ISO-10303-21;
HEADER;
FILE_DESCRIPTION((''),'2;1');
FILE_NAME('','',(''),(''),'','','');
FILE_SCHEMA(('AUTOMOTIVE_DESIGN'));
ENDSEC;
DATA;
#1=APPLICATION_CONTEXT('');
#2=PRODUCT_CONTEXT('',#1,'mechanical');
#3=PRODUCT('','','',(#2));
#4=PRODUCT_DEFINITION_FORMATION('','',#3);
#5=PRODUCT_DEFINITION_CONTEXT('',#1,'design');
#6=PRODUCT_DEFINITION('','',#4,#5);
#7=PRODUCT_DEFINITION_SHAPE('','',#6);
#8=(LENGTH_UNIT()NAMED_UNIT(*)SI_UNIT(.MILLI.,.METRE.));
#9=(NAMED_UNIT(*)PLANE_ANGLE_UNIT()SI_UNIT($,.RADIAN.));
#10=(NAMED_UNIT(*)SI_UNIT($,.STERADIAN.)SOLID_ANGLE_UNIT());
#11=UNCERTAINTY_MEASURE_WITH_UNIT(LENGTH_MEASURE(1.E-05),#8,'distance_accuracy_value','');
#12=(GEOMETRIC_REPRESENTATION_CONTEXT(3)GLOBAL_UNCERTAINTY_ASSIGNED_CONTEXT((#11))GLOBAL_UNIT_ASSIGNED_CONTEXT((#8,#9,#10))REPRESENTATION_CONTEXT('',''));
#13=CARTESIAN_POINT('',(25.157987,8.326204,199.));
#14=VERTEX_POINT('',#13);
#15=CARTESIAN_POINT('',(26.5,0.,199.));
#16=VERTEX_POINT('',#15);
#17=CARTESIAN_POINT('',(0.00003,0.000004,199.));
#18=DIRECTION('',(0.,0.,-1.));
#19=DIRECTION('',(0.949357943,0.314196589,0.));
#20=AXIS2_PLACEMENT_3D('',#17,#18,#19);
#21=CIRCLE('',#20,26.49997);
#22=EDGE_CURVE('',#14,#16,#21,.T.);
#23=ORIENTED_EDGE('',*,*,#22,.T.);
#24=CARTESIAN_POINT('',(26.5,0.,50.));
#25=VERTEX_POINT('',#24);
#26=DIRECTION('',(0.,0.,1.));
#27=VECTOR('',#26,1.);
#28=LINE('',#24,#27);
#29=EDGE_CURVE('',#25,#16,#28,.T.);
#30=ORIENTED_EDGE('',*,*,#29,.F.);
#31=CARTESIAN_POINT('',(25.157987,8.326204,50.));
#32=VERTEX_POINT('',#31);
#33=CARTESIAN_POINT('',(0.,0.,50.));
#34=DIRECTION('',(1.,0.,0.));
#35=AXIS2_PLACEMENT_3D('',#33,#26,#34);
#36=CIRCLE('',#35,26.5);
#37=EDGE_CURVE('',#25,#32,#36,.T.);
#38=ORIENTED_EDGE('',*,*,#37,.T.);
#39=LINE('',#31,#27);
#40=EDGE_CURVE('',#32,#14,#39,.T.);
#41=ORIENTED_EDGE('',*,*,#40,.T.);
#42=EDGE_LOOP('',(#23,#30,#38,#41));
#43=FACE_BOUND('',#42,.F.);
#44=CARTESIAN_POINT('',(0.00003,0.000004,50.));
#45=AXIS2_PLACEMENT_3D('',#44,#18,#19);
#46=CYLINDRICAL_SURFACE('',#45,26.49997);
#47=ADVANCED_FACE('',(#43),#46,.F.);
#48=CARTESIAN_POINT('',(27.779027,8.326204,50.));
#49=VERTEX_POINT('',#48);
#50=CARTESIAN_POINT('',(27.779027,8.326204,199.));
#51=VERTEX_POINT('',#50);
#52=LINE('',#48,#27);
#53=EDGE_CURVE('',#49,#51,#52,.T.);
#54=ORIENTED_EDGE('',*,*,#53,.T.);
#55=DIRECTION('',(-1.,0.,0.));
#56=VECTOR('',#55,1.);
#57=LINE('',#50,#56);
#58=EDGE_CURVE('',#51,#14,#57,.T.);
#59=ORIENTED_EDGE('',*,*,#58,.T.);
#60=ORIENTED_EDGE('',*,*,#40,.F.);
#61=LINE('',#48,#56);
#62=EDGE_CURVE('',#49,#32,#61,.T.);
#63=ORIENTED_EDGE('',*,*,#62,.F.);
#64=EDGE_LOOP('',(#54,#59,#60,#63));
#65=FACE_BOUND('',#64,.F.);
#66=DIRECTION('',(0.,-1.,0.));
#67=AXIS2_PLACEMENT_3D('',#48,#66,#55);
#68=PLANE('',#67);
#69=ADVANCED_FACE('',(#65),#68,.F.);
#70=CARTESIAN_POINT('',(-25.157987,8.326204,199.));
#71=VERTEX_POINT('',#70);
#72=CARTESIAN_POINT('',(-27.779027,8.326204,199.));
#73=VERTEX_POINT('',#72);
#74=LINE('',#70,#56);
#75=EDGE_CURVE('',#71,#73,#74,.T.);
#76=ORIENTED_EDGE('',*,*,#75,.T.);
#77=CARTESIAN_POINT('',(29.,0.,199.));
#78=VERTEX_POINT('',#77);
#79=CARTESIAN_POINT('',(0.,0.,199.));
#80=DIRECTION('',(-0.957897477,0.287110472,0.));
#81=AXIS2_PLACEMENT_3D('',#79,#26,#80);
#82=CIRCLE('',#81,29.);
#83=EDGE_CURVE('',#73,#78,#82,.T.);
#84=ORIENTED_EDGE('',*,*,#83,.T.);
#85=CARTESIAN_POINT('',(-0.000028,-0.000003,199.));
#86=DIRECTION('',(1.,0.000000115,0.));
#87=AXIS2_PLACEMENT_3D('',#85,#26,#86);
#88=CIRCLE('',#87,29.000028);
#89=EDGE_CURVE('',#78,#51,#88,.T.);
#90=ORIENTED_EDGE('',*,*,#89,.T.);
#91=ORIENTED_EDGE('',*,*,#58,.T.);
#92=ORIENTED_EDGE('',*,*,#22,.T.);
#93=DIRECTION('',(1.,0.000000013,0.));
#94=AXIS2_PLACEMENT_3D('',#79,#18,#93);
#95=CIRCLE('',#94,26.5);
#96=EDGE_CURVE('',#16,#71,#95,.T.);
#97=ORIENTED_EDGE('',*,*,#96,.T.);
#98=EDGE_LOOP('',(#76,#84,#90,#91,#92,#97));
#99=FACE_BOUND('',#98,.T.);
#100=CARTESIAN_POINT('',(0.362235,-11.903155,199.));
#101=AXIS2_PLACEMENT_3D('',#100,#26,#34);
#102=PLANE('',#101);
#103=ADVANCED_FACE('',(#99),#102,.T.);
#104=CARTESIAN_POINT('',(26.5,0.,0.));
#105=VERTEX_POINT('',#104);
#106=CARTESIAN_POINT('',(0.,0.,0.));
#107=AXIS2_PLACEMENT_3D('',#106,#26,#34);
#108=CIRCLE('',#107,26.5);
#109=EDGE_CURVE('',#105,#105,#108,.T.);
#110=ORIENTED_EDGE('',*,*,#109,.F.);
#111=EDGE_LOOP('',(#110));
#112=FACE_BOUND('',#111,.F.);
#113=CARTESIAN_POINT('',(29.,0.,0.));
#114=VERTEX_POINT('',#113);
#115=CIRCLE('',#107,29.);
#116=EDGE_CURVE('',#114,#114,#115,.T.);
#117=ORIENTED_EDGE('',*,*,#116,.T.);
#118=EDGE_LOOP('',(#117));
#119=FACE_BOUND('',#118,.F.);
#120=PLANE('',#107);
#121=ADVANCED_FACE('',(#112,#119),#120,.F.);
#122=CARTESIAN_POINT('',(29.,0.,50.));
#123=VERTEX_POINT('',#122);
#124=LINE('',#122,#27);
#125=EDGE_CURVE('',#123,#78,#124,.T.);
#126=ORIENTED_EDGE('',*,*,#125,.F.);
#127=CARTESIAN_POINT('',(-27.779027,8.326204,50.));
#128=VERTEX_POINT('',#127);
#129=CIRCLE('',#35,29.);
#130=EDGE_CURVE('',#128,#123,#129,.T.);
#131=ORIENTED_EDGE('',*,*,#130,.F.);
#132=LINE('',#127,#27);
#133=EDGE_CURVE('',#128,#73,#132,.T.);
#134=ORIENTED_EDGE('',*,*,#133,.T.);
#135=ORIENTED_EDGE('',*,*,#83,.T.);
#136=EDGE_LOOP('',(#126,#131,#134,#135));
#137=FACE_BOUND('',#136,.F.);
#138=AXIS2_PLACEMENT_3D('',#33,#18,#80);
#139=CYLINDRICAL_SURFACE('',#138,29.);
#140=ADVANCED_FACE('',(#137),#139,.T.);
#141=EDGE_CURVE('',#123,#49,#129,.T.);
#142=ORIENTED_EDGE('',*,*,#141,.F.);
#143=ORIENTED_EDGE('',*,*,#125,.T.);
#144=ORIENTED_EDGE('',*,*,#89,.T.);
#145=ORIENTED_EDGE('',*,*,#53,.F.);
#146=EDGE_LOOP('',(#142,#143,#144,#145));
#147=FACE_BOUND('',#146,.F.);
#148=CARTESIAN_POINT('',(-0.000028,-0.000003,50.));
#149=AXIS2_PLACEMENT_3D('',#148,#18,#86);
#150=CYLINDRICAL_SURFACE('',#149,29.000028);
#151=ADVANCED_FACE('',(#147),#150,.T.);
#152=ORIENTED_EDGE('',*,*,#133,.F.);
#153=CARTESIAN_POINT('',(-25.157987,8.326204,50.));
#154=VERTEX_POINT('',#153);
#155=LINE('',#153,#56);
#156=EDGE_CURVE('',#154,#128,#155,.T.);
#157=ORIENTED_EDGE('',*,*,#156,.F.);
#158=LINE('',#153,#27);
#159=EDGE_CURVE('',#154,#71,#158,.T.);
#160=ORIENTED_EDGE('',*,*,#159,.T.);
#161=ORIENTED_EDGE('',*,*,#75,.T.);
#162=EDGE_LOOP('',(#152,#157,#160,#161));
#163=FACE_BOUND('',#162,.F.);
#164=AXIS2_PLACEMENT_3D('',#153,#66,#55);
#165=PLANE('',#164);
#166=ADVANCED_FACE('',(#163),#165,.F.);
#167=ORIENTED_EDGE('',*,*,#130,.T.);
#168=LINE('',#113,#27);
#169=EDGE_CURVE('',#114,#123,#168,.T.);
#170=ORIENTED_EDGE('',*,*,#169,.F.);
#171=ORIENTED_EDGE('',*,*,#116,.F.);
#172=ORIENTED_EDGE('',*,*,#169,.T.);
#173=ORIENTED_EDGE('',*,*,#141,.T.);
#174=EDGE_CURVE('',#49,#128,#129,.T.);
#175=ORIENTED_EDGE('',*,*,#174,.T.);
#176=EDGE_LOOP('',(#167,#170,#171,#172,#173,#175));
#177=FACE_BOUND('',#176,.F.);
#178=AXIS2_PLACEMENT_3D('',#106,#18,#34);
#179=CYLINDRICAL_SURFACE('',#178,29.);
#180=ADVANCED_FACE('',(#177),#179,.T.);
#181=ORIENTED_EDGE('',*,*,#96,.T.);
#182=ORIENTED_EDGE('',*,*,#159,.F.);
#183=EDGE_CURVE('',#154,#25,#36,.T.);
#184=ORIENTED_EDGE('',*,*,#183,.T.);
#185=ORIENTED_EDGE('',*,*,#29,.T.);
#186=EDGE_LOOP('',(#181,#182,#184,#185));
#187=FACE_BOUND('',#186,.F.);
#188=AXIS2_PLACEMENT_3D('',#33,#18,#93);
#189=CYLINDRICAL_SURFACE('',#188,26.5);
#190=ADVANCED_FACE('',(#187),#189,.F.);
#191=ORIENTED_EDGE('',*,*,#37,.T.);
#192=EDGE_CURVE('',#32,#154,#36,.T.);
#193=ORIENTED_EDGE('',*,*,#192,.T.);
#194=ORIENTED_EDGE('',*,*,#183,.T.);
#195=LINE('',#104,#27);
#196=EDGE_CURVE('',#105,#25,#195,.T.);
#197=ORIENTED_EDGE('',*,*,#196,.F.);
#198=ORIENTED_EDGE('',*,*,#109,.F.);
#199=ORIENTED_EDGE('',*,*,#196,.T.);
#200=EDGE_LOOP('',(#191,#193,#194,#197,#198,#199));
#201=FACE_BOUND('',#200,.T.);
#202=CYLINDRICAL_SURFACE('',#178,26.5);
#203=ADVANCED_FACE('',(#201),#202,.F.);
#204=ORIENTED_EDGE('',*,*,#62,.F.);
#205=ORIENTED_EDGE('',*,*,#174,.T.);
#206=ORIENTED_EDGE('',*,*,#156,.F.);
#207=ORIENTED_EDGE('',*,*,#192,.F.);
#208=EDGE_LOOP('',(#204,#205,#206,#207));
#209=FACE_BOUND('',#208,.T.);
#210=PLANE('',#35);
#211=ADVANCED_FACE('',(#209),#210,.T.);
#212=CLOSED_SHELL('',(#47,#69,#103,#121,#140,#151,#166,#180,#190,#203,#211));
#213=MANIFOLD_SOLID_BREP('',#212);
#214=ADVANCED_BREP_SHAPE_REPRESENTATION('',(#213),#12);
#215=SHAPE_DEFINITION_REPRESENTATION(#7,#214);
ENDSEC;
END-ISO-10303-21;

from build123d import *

# Parameters (mm, degrees)
F0_R     = 29
F0_R_2   = 26.5
F1_DEPTH = 50
F3_DEPTH = 149


with BuildPart() as f1:
    # F0 (on Top) → F1 (new body)
    with BuildSketch(Plane.XY):
        Circle(F0_R)
        Circle(F0_R_2, mode=Mode.SUBTRACT)
    extrude(amount=F1_DEPTH)

    # F2 (on face) → F3 (join)
    with BuildSketch(Plane.XY.offset(50)):
        with BuildLine():
            ThreePointArc((25.157987, 8.326204), (26.162346, 4.216831), (26.5, 0))
            ThreePointArc((26.5, 0), (-4.216831, -26.162346), (-25.157987, 8.326204))
            Line((-25.157987, 8.326204), (-27.779027, 8.326204))
            ThreePointArc((-27.779027, 8.326204), (-4.207625, -28.693133), (29, 0))
            ThreePointArc((29, 0), (28.693133, 4.207625), (27.779027, 8.326204))
            Line((27.779027, 8.326204), (25.157987, 8.326204))
        make_face()
    extrude(amount=F3_DEPTH)


solid = f1.part
